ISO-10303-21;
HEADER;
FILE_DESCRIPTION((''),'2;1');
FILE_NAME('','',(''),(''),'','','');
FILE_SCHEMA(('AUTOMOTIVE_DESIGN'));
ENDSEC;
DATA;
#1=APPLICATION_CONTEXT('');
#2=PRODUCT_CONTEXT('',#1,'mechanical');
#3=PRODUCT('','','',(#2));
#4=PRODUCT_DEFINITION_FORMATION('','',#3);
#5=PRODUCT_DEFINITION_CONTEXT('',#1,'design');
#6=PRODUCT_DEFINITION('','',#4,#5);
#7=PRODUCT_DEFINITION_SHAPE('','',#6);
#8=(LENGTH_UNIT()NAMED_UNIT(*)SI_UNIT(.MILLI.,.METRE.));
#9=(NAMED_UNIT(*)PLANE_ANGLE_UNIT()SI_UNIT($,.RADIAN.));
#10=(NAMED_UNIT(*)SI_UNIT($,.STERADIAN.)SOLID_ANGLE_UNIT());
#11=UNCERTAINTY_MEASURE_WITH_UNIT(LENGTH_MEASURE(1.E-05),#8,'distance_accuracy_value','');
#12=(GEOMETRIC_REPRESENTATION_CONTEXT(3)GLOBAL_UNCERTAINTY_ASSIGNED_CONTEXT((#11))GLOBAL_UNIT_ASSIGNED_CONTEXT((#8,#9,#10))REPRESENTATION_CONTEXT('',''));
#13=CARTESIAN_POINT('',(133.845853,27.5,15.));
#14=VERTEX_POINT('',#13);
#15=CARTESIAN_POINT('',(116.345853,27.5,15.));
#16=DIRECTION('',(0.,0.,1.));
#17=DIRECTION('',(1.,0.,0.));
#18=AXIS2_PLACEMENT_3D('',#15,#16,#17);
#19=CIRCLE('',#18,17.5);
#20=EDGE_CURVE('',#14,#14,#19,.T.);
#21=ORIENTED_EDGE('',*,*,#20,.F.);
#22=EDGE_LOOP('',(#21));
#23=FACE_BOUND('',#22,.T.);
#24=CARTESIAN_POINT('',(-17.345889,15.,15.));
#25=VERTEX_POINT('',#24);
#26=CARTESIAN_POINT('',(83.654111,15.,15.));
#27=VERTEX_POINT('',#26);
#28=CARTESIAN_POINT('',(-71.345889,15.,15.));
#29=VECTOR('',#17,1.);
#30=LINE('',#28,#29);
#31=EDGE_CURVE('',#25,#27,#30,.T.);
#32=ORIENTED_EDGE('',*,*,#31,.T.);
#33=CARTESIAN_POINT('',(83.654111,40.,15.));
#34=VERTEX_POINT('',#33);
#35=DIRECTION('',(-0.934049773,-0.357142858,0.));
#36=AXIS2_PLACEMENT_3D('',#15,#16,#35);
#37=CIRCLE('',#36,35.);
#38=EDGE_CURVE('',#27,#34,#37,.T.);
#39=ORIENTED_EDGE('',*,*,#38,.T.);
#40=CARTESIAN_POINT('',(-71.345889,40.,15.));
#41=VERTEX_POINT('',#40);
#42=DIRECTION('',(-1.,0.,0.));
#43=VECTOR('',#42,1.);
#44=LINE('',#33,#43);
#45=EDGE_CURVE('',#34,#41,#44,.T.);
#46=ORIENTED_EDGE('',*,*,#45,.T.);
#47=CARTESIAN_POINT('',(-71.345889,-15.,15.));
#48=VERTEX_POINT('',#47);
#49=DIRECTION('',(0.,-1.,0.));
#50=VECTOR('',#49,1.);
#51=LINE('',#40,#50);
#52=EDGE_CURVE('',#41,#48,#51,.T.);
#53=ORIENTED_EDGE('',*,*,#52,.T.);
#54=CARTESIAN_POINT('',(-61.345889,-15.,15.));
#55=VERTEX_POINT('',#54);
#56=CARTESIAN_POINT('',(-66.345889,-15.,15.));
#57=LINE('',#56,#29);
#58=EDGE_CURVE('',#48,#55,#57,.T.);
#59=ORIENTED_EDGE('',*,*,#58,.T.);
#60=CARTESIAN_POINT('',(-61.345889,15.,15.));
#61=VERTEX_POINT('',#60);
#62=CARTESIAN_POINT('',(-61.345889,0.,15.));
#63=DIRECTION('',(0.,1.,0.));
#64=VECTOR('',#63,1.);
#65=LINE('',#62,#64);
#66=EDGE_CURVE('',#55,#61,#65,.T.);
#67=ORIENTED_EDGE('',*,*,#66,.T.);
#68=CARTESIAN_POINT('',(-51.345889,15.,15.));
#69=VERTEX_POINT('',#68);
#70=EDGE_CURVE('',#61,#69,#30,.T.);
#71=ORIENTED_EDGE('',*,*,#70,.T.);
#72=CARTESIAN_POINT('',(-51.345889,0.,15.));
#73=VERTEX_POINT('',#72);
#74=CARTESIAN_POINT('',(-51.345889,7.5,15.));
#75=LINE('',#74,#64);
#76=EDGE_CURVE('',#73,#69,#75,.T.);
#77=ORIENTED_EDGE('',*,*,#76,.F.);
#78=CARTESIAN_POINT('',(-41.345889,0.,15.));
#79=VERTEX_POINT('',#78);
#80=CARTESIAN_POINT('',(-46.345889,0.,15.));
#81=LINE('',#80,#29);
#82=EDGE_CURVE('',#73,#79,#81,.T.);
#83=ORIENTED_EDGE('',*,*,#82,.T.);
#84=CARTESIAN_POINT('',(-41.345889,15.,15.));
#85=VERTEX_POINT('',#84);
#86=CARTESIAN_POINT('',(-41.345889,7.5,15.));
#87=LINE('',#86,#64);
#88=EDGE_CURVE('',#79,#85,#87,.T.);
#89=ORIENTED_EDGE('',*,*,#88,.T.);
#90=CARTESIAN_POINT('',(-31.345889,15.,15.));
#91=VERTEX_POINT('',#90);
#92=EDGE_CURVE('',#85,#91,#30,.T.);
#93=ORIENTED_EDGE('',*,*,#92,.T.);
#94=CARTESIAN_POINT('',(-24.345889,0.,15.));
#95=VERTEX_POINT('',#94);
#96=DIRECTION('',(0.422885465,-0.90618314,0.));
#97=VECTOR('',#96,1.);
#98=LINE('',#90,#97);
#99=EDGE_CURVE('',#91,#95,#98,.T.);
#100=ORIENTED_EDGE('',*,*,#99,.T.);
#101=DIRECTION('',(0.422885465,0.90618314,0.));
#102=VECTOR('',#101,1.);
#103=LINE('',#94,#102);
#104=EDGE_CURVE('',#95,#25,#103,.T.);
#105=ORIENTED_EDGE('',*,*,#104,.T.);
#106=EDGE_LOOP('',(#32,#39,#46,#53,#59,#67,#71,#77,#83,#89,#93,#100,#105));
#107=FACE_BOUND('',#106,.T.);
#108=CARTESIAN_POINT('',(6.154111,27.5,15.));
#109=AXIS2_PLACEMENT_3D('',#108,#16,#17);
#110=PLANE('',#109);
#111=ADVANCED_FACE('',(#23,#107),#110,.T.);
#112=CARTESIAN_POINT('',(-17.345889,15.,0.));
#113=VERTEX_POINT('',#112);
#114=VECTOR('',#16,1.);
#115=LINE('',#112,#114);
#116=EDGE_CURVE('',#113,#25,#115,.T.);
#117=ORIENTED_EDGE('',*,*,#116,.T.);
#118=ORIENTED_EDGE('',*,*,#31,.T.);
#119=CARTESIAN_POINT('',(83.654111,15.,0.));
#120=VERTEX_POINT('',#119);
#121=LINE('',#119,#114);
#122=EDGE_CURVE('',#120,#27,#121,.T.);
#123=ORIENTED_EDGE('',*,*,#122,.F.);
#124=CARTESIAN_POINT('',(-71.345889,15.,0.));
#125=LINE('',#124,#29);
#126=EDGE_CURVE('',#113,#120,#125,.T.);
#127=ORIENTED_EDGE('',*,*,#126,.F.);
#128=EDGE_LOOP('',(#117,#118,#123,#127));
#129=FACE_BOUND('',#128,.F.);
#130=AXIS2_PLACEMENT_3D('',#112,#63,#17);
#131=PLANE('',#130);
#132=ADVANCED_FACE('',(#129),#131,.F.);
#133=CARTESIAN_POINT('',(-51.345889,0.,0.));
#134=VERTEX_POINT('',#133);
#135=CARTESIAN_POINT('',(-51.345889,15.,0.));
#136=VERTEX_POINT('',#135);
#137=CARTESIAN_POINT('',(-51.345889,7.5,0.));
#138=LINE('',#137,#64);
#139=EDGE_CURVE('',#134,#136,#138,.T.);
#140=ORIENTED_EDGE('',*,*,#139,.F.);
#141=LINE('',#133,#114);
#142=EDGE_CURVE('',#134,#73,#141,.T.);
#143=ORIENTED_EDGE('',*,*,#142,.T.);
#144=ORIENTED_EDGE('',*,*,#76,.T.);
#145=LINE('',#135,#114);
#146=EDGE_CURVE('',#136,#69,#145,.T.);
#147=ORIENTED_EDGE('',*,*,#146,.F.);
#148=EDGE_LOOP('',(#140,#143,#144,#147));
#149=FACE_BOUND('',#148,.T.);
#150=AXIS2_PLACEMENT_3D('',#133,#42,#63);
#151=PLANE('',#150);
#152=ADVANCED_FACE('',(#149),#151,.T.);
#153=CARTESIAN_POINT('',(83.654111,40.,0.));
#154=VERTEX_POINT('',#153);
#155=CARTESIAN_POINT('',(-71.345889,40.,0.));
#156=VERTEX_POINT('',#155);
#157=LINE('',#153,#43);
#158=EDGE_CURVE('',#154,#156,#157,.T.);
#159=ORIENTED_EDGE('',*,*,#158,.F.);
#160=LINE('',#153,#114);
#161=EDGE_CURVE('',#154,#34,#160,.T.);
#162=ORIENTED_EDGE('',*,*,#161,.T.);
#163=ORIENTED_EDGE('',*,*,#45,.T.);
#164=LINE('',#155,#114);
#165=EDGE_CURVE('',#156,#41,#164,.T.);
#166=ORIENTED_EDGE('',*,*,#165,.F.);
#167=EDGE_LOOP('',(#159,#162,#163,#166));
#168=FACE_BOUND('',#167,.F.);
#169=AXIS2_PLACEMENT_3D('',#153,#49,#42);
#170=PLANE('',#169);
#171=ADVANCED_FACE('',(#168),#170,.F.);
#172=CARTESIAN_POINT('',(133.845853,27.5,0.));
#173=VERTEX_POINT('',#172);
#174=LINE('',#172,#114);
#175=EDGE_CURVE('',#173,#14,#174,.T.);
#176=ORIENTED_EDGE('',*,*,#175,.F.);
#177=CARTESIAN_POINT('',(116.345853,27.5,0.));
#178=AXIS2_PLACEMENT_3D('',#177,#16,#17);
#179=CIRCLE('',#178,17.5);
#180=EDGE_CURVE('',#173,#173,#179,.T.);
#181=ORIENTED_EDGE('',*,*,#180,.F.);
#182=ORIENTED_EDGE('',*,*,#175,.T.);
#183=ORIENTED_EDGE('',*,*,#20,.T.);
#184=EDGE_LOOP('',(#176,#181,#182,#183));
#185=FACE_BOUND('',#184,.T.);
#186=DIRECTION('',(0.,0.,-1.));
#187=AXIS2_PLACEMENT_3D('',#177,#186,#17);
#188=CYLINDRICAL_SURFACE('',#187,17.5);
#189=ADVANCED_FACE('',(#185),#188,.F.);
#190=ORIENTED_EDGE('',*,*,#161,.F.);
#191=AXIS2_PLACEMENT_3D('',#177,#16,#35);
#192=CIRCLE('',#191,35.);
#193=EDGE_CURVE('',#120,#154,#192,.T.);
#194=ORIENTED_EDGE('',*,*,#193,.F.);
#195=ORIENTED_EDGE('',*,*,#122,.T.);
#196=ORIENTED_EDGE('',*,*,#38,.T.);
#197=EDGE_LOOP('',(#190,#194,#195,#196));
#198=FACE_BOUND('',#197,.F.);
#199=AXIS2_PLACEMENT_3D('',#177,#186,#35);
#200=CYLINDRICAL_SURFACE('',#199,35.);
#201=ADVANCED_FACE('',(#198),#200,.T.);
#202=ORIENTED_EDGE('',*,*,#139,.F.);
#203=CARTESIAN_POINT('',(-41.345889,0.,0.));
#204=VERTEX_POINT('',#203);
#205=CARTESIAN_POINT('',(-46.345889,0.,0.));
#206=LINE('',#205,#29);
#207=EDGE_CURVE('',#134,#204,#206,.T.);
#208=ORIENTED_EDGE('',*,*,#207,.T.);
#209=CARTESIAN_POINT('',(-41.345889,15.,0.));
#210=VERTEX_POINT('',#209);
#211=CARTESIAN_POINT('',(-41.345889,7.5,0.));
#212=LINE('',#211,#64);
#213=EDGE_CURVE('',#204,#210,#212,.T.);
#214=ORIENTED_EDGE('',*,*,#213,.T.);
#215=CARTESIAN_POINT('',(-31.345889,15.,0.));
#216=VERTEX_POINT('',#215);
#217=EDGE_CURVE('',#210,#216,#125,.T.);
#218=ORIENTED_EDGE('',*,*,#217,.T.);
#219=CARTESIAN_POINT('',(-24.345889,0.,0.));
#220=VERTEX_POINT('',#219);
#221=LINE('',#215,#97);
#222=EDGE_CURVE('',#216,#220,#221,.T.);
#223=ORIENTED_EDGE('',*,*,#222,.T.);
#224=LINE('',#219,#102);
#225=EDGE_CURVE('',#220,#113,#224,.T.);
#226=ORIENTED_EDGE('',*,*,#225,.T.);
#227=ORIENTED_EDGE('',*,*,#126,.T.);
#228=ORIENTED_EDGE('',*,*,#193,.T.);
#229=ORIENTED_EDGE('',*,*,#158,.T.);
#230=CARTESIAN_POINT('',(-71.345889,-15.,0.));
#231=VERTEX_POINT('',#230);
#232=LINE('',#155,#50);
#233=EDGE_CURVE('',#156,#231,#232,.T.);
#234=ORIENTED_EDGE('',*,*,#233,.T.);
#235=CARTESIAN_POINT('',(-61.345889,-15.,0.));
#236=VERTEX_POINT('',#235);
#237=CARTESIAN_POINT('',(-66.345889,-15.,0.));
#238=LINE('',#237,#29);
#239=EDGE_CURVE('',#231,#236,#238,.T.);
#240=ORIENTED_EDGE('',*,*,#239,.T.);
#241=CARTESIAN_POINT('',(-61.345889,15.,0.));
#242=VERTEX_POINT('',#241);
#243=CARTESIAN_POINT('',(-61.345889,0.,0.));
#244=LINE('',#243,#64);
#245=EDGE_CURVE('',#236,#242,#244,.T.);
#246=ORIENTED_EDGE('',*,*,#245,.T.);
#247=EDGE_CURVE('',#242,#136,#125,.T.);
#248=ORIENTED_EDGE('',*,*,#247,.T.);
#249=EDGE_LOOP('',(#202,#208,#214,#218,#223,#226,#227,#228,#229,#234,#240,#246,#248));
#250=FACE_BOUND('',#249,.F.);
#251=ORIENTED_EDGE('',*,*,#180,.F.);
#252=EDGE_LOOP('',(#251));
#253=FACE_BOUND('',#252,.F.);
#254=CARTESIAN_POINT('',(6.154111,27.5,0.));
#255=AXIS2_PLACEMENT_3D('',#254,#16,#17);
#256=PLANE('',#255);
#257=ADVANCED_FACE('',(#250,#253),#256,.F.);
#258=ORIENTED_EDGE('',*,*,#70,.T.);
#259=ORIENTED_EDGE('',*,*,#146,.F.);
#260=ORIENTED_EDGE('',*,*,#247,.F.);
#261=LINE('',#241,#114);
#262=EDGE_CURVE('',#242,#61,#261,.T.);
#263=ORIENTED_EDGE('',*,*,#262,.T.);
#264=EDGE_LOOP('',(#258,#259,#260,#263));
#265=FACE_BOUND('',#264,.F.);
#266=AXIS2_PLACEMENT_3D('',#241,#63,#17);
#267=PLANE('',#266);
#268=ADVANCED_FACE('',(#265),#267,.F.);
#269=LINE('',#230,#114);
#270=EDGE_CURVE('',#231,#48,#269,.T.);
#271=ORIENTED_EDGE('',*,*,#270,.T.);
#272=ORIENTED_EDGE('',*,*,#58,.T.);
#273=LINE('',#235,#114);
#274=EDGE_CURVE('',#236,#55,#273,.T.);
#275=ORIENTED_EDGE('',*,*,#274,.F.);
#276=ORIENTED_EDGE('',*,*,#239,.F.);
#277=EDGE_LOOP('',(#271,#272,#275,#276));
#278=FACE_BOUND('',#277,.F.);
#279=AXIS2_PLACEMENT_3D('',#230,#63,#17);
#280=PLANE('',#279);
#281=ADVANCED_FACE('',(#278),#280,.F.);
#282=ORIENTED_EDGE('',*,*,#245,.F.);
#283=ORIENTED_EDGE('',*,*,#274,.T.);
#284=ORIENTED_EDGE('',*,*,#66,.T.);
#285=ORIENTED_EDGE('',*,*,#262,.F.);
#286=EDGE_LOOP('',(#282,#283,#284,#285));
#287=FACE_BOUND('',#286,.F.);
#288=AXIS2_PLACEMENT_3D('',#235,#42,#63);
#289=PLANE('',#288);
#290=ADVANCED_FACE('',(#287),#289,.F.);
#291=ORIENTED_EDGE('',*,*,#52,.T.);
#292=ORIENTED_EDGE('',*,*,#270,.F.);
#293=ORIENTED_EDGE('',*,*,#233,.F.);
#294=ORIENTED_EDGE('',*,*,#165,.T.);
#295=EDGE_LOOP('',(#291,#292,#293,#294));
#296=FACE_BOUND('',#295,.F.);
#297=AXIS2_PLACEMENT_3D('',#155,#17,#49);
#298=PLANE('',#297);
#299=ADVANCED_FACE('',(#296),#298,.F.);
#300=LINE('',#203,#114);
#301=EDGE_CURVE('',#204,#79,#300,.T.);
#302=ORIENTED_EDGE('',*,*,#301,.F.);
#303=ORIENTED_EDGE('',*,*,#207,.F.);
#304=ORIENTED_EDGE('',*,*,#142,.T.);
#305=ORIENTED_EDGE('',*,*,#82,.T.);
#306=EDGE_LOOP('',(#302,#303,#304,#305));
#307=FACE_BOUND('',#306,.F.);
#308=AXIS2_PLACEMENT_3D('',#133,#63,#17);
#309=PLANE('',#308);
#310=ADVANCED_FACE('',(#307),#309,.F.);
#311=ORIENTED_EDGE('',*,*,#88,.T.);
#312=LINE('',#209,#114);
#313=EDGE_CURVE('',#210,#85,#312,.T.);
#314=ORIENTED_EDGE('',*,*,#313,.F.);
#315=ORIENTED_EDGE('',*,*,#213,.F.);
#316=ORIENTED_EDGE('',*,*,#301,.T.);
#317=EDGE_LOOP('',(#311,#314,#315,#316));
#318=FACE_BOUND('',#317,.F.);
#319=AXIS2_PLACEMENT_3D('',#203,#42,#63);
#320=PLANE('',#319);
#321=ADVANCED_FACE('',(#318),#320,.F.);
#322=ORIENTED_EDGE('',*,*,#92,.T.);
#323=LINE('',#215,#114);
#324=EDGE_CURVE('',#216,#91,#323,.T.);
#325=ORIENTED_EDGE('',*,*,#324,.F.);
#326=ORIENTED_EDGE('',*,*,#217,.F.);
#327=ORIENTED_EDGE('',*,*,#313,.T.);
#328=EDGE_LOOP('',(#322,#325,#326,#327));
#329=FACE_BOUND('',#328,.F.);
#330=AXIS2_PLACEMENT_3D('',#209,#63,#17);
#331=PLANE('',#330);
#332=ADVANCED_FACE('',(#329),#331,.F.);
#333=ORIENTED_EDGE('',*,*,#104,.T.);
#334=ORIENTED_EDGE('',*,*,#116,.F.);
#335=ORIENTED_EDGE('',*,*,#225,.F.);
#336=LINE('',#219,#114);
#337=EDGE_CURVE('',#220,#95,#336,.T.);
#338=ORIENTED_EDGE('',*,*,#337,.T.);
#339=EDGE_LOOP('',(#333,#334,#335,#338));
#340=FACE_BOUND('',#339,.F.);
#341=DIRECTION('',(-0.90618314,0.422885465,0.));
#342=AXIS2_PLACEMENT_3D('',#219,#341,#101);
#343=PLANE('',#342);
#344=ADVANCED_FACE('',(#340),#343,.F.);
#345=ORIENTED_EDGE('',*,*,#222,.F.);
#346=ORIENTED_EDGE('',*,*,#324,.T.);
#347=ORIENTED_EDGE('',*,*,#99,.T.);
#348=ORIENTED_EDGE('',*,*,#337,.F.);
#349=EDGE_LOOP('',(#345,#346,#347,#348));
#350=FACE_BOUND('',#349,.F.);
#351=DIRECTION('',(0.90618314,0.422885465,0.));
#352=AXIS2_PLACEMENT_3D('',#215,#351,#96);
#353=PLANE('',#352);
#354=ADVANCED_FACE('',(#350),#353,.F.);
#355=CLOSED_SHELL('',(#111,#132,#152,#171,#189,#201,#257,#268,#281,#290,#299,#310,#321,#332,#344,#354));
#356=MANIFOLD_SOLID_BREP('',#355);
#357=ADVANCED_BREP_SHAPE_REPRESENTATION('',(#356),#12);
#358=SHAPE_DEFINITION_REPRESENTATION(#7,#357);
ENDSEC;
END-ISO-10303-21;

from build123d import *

# Parameters (mm, degrees)
F0_R     = 17.5
F0_W     = 10
F0_H     = 30
F0_H_2   = 15
F1_DEPTH = 15


with BuildPart() as f1:
    # F0 (on Top) → F1 (new body)
    with BuildSketch(Plane.XY):
        Polygon((-71.345889, 40), (-71.345889, 15), (-61.345889, 15), (-51.345889, 15), (-41.345889, 15), (-31.345889, 15), (-17.345889, 15), (83.654111, 15), (83.654111, 40), align=None)
        with BuildLine():
            ThreePointArc((83.654111, 15), (151.345853, 27.5), (83.654111, 40))
            Line((83.654111, 40), (83.654111, 15))
        make_face()
        with Locations((116.345853, 27.5)):
            Circle(F0_R, mode=Mode.SUBTRACT)
        with Locations((-66.345889, 0)):
            Rectangle(F0_W, F0_H)
        with Locations((-46.345889, 7.5)):
            Rectangle(F0_W, F0_H_2)
        Polygon((-17.345889, 15), (-31.345889, 15), (-24.345889, 0), align=None)
    extrude(amount=F1_DEPTH)


solid = f1.part
